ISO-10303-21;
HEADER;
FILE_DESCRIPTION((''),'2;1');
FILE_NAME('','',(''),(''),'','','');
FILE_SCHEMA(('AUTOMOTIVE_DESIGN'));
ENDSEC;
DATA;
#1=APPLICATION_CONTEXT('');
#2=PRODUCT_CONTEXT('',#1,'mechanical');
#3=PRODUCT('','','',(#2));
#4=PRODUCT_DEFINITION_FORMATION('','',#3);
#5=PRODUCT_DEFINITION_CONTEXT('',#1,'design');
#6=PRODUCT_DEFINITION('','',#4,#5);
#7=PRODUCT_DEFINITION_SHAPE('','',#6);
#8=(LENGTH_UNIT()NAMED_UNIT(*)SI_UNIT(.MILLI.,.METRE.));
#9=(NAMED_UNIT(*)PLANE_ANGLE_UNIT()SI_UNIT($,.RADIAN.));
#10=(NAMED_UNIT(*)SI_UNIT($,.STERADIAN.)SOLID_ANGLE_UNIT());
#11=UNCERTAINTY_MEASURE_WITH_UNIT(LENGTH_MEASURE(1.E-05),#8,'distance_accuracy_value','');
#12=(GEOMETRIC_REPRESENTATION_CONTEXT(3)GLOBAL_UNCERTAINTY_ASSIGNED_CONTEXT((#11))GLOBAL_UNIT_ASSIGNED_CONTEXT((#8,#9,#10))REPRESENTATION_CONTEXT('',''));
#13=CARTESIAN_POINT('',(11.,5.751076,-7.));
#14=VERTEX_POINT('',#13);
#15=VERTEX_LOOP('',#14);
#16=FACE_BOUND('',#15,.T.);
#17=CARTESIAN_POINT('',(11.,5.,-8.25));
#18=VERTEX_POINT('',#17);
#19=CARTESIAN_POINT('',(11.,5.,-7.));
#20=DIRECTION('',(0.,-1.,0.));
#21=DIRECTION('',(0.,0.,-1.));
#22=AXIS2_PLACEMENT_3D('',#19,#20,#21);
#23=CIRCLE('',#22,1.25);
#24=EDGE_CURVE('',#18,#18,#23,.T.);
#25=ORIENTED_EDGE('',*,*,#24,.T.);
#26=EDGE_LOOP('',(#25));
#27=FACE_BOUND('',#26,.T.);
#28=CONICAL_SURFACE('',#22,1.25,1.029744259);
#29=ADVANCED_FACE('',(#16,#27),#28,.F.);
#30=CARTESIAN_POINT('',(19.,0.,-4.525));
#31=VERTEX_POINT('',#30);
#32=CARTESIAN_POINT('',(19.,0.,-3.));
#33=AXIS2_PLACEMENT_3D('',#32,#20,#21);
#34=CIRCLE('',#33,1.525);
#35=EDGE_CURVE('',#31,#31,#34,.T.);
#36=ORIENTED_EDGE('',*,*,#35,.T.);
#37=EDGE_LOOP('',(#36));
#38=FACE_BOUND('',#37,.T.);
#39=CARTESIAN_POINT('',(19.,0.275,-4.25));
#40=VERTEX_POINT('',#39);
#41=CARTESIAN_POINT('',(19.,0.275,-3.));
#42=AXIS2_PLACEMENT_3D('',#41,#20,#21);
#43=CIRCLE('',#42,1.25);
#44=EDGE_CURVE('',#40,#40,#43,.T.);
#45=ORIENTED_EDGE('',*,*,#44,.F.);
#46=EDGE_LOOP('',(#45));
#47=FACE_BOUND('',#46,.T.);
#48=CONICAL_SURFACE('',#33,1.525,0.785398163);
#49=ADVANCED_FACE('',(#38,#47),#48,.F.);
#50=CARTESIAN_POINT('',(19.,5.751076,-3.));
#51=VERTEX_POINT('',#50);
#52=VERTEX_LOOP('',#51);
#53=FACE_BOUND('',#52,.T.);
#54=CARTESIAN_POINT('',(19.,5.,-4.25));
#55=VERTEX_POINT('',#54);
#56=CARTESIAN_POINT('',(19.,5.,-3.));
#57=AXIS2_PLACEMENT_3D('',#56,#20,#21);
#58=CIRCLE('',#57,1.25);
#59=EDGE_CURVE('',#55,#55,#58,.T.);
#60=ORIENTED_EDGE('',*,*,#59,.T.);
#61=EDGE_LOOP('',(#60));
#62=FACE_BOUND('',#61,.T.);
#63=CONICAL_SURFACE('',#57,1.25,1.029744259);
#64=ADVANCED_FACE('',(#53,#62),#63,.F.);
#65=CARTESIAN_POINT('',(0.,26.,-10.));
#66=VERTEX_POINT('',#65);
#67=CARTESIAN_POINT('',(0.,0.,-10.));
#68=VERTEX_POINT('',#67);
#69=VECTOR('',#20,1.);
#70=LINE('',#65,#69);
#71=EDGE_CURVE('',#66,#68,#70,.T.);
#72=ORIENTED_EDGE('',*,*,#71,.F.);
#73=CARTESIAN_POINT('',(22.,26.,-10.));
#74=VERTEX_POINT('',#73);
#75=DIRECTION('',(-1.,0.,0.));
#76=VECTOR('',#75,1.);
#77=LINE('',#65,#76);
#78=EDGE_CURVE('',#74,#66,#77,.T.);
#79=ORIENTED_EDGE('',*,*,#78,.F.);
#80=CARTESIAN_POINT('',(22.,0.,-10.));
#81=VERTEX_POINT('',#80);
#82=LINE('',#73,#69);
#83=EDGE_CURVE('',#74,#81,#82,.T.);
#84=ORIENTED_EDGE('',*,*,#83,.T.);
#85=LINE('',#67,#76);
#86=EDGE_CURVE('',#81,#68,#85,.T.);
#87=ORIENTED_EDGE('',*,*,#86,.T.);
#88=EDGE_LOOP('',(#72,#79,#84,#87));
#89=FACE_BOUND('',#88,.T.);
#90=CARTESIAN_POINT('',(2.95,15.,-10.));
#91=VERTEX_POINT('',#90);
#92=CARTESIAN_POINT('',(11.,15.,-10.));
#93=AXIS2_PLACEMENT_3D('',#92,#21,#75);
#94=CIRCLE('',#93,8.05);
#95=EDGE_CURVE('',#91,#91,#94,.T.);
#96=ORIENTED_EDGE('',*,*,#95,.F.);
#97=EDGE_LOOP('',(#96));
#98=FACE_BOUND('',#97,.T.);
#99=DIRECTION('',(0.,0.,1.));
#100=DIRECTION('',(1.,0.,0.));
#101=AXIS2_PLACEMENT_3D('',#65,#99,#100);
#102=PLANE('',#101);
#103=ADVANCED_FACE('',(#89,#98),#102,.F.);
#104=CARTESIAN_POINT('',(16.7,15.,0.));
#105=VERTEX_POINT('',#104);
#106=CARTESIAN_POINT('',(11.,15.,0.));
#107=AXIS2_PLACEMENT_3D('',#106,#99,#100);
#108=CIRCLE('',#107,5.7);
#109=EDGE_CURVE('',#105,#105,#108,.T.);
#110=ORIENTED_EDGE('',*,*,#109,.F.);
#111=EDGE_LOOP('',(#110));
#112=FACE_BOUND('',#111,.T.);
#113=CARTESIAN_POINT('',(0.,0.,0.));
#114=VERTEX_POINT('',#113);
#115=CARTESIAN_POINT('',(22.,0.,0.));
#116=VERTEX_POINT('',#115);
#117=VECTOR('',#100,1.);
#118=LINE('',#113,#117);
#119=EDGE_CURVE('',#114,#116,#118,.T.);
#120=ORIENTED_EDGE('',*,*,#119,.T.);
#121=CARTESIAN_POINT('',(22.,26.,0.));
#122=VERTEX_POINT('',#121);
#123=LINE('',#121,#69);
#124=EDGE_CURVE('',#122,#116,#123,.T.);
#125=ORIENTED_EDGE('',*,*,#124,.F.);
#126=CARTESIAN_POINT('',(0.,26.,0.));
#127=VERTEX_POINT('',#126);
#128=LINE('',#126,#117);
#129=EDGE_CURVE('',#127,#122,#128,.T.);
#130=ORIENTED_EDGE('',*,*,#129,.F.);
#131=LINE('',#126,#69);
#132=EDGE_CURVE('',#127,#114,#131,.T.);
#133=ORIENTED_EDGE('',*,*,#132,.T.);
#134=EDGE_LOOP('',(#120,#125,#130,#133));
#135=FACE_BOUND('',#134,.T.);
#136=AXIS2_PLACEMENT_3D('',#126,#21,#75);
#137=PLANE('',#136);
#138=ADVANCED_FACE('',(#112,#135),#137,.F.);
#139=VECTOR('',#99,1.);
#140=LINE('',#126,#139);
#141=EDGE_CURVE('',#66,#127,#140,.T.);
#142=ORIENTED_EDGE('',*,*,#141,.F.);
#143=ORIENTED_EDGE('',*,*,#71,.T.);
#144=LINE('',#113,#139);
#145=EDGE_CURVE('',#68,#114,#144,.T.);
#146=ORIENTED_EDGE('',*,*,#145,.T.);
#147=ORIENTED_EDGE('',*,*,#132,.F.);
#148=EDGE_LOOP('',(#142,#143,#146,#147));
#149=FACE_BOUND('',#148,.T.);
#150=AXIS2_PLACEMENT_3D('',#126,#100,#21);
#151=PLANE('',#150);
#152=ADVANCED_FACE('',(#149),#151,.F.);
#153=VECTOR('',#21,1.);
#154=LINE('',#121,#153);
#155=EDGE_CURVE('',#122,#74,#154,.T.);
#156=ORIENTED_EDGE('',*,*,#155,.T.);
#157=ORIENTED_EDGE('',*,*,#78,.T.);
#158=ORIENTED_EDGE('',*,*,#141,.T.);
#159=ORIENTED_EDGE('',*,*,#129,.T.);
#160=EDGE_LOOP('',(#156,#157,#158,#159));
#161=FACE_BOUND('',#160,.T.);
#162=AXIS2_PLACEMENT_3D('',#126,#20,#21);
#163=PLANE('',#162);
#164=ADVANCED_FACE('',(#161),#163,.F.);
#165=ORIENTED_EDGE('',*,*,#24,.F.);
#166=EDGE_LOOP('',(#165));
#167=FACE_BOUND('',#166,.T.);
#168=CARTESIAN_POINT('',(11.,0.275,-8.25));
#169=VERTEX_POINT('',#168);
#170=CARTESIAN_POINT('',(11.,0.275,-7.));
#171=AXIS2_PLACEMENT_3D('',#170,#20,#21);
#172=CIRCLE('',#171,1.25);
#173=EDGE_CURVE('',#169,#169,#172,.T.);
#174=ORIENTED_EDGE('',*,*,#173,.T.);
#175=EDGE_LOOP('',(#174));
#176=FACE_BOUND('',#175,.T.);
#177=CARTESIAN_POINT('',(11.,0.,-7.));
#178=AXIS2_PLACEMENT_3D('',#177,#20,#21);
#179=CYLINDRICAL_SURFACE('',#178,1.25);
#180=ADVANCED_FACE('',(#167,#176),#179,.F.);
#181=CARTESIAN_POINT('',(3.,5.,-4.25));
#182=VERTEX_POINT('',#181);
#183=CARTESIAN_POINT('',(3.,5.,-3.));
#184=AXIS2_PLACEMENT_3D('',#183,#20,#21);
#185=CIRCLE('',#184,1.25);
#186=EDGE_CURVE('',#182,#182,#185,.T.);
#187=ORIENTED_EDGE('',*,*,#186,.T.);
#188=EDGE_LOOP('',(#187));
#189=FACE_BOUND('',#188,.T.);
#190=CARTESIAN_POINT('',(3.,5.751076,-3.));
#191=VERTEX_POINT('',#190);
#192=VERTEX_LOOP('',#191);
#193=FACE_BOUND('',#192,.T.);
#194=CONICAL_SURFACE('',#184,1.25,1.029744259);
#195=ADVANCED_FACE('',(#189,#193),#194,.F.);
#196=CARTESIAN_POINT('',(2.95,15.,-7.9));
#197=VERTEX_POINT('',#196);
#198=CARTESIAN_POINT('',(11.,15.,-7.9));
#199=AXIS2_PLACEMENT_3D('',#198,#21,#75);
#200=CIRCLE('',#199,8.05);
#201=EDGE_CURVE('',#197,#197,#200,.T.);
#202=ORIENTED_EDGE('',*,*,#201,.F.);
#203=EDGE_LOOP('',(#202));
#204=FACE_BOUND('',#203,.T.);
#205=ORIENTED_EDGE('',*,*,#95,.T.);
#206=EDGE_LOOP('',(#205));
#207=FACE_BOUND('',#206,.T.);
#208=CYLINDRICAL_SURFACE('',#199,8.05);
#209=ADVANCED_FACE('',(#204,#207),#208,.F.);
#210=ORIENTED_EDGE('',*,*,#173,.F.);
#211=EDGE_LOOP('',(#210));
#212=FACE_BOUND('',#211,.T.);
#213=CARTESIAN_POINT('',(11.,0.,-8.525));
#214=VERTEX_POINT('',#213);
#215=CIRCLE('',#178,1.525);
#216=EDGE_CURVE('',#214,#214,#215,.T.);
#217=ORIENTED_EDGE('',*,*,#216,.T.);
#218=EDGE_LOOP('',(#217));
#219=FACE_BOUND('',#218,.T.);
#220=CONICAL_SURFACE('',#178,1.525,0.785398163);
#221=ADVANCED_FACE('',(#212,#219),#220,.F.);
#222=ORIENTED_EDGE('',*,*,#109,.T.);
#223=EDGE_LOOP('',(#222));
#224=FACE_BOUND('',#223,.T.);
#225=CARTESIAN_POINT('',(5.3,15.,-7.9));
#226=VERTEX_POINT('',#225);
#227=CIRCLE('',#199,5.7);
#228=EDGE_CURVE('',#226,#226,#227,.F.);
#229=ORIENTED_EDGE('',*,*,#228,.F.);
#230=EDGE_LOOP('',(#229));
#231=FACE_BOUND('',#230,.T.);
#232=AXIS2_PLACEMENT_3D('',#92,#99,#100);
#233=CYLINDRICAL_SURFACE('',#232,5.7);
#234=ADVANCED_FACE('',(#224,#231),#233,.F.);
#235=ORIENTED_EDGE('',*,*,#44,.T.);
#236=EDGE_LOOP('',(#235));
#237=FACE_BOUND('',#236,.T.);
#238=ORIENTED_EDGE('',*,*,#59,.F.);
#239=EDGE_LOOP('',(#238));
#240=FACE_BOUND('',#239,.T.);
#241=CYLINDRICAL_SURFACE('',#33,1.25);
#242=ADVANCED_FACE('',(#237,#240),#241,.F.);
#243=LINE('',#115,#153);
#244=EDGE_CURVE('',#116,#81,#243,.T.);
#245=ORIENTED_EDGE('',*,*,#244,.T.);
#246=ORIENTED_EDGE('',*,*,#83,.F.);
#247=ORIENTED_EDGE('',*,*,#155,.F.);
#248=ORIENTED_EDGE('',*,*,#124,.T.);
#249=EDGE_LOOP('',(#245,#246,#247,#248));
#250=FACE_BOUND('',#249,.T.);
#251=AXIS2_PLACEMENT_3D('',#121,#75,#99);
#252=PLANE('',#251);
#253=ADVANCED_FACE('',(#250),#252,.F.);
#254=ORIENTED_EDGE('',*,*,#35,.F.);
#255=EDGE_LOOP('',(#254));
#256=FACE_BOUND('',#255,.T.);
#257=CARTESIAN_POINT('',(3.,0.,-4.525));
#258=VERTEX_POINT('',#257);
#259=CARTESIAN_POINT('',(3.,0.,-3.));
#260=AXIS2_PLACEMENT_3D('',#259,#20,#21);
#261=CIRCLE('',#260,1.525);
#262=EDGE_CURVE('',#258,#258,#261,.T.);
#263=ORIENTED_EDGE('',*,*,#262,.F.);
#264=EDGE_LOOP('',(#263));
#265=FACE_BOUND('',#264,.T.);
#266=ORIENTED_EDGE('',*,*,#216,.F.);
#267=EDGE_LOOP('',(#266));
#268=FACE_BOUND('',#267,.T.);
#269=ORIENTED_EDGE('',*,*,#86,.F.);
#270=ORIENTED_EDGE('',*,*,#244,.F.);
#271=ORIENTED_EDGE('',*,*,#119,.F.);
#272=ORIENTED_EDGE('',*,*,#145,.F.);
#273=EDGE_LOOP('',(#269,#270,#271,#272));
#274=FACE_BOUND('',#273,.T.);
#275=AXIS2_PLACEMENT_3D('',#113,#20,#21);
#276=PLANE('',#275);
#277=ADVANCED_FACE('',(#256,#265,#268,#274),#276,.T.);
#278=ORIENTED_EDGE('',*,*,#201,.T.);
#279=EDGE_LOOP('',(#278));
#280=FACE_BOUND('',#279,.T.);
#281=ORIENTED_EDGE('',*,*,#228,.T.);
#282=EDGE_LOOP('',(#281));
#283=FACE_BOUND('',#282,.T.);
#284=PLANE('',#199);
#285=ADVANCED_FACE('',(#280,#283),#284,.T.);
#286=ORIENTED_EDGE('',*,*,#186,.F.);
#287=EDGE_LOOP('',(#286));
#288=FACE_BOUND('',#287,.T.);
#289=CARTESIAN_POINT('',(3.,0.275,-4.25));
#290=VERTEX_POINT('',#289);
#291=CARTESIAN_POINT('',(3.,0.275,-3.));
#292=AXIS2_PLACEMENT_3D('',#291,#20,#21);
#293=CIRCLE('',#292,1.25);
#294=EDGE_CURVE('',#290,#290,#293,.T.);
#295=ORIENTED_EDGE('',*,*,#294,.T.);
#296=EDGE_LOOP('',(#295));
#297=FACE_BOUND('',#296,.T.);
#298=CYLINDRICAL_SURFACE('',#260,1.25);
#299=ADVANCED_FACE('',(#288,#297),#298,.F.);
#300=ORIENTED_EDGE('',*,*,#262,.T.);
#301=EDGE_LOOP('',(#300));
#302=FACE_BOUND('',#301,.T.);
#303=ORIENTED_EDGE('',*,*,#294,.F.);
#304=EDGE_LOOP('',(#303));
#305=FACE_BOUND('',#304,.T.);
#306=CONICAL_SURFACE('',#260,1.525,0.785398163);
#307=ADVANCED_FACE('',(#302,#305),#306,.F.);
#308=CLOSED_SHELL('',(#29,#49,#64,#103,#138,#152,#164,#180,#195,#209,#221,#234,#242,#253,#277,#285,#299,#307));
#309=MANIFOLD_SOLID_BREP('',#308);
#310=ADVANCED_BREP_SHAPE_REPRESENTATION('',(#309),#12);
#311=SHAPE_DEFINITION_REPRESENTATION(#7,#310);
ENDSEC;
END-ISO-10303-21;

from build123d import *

# Parameters (mm, degrees)
SKETCH1_W                       = 22
SKETCH1_H                       = 10
BOSS_EXTRUDE1_DEPTH             = 26
SKETCH7_R                       = 5.7
CUT_EXTRUDE1_DEPTH              = 11
SKETCH9_R                       = 8.05
CUT_EXTRUDE3_DEPTH              = 2.1
M3X0_5_TAPPED_HOLE1_D           = 2.5
M3X0_5_TAPPED_HOLE1_DEPTH       = 5
M3X0_5_TAPPED_HOLE1_CSINK_D     = 3.05
M3X0_5_TAPPED_HOLE1_CSINK_ANGLE = 90
M3X0_5_TAPPED_HOLE1_TIP         = 0.751075774


with BuildPart() as part:
    # Sketch1 → Boss-Extrude1 (new body)
    with BuildSketch(Plane(origin=(0, 0, 0), x_dir=(1, 0, 0), z_dir=(0, 1, 0))):
        with Locations((11, 5)):
            Rectangle(SKETCH1_W, SKETCH1_H)
    extrude(amount=BOSS_EXTRUDE1_DEPTH)

    # Sketch7 → Cut-Extrude1 (cut, through all)
    with BuildSketch(Plane.XY):
        with Locations((11, 15)):
            Circle(SKETCH7_R)
    extrude(amount=-CUT_EXTRUDE1_DEPTH, mode=Mode.SUBTRACT)

    # Sketch9 → Cut-Extrude3 (cut)
    with BuildSketch(Plane(origin=(0, 0, -10), x_dir=(-1, 0, 0), z_dir=(0, 0, -1))):
        with Locations((-11, 15)):
            Circle(SKETCH9_R)
    extrude(amount=-CUT_EXTRUDE3_DEPTH, mode=Mode.SUBTRACT)

    # M3x0.5 Tapped Hole1
    with Locations(Plane(origin=(0, 0, 0), x_dir=(-1, 0, 0), z_dir=(0, -1, 0))):
        with Locations((-3, 3), (-19, 3), (-11, 7)):
            CounterSinkHole(M3X0_5_TAPPED_HOLE1_D / 2, M3X0_5_TAPPED_HOLE1_CSINK_D / 2, depth=M3X0_5_TAPPED_HOLE1_DEPTH, counter_sink_angle=M3X0_5_TAPPED_HOLE1_CSINK_ANGLE)
            with Locations((0, 0, -(M3X0_5_TAPPED_HOLE1_DEPTH + M3X0_5_TAPPED_HOLE1_TIP / 2))):  # 118° drill point
                Cone(0, M3X0_5_TAPPED_HOLE1_D / 2, M3X0_5_TAPPED_HOLE1_TIP, mode=Mode.SUBTRACT)


solid = part.part
